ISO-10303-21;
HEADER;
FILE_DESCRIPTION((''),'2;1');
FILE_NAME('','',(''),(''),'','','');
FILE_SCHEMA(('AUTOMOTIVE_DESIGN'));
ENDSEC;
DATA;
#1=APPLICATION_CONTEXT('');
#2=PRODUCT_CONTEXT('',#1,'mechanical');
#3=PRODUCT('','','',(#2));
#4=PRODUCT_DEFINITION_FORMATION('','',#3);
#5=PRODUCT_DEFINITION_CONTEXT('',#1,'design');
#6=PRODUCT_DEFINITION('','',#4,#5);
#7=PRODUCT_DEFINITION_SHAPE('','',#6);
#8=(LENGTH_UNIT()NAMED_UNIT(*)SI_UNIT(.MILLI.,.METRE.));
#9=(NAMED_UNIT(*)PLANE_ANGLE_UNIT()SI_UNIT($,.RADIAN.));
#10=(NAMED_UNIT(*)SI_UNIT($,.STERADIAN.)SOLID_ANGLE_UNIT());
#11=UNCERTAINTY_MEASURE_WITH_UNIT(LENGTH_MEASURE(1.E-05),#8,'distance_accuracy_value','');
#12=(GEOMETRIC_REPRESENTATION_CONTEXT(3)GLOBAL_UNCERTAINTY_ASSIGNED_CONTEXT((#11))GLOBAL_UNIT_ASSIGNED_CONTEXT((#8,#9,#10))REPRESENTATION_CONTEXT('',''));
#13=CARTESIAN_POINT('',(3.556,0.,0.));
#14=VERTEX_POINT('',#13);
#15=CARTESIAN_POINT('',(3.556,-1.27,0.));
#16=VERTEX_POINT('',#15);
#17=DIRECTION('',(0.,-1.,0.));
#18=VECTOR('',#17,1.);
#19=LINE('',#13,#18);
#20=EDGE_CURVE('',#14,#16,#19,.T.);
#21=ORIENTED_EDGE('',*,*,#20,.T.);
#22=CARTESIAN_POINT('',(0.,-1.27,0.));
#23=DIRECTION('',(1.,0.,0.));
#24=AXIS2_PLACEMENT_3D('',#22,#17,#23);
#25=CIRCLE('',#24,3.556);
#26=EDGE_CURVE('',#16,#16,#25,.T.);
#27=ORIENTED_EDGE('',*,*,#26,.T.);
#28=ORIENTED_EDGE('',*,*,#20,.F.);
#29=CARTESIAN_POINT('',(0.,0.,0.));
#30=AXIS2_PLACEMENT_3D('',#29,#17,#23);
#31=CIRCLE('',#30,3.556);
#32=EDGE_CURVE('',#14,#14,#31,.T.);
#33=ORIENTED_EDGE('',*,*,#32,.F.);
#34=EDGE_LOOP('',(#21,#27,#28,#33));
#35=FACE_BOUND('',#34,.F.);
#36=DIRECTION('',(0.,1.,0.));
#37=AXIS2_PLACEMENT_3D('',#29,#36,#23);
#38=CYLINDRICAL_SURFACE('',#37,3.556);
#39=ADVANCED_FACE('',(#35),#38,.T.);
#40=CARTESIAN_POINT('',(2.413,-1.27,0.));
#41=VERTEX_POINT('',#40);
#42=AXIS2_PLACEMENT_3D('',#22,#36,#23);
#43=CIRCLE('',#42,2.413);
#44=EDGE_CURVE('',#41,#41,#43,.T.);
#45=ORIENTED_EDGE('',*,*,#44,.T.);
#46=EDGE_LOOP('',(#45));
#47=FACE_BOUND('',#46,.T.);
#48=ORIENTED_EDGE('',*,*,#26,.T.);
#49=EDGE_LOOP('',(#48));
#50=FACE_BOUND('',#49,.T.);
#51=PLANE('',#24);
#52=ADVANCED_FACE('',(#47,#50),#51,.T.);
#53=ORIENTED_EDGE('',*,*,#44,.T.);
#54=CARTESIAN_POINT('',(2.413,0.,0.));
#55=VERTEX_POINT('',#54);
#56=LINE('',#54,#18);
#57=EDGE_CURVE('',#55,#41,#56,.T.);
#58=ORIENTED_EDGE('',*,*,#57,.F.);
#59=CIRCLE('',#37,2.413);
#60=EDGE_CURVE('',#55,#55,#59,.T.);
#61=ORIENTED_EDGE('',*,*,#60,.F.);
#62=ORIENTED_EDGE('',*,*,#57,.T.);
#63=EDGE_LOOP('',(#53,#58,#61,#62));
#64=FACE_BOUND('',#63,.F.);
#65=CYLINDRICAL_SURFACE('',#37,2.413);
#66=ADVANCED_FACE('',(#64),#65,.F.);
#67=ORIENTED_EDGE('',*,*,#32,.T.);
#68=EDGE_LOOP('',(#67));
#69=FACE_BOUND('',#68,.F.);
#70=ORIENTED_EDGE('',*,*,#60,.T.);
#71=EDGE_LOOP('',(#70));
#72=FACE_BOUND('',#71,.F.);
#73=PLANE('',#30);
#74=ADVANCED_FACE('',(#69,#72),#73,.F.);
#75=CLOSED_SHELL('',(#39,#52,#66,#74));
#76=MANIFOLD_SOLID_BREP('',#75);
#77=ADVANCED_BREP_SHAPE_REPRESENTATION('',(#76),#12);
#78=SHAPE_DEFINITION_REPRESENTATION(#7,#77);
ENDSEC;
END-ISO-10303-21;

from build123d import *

# Parameters (mm, degrees)
F0_R     = 3.556
F1_DEPTH = 1.27


with BuildPart() as f1:
    # F0 (on Front) → F1 (new body)
    with BuildSketch(Plane.XZ):
        Circle(F0_R)
        with BuildLine():
            ThreePointArc((-2.413, 0), (0, 2.413), (2.413, 0))
            ThreePointArc((2.413, 0), (0, -2.413), (-2.413, 0))
        make_face(mode=Mode.SUBTRACT)
    extrude(amount=F1_DEPTH)


solid = f1.part
